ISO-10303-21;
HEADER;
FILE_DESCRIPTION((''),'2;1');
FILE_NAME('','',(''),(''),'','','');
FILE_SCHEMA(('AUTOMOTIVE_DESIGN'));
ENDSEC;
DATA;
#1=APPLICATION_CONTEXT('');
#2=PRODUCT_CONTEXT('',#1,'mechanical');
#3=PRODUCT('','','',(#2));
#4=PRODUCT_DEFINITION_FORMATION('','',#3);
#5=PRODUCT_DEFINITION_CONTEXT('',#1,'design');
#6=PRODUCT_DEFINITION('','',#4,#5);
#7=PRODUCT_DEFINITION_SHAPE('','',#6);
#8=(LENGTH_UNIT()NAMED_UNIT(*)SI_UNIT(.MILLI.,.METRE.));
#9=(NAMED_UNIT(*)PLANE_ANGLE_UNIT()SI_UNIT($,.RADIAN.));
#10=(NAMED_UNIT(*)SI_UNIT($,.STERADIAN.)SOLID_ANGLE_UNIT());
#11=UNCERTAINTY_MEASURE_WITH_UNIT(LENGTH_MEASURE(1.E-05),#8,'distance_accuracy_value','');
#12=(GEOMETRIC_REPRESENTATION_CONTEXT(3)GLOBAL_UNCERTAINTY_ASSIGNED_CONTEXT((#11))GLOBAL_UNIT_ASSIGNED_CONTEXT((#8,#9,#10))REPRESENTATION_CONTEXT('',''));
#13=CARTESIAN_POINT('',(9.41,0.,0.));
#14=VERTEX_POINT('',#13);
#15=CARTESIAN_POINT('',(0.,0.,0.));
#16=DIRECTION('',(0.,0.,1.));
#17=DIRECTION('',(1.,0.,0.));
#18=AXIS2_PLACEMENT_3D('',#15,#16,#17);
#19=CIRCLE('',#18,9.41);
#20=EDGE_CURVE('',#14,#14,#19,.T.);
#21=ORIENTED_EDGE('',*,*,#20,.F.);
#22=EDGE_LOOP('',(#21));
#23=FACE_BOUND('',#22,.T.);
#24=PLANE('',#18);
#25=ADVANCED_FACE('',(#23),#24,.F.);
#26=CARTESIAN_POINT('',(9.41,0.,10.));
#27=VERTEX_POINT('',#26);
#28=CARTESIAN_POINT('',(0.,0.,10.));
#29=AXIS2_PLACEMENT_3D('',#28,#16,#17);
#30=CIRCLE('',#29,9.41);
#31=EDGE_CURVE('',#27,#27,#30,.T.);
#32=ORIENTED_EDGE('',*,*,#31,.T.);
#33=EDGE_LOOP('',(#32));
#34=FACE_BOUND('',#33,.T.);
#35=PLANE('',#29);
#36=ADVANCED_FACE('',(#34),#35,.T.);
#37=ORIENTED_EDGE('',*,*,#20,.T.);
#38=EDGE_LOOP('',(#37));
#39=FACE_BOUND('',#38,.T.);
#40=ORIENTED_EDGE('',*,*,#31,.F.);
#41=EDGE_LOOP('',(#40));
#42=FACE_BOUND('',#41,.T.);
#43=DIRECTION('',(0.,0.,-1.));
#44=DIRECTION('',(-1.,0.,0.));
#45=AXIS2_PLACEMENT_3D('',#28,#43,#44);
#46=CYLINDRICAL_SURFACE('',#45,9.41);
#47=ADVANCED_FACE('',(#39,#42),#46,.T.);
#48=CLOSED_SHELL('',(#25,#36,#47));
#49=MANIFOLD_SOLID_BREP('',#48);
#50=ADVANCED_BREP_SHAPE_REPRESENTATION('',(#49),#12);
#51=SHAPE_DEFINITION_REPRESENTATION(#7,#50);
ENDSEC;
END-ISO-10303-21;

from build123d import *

# Parameters (mm, degrees)
SKETCH1_R           = 9.41
BOSS_EXTRUDE1_DEPTH = 10


with BuildPart() as part:
    # Sketch1 → Boss-Extrude1 (new body)
    with BuildSketch(Plane.XY):
        Circle(SKETCH1_R)
    extrude(amount=BOSS_EXTRUDE1_DEPTH)


solid = part.part
